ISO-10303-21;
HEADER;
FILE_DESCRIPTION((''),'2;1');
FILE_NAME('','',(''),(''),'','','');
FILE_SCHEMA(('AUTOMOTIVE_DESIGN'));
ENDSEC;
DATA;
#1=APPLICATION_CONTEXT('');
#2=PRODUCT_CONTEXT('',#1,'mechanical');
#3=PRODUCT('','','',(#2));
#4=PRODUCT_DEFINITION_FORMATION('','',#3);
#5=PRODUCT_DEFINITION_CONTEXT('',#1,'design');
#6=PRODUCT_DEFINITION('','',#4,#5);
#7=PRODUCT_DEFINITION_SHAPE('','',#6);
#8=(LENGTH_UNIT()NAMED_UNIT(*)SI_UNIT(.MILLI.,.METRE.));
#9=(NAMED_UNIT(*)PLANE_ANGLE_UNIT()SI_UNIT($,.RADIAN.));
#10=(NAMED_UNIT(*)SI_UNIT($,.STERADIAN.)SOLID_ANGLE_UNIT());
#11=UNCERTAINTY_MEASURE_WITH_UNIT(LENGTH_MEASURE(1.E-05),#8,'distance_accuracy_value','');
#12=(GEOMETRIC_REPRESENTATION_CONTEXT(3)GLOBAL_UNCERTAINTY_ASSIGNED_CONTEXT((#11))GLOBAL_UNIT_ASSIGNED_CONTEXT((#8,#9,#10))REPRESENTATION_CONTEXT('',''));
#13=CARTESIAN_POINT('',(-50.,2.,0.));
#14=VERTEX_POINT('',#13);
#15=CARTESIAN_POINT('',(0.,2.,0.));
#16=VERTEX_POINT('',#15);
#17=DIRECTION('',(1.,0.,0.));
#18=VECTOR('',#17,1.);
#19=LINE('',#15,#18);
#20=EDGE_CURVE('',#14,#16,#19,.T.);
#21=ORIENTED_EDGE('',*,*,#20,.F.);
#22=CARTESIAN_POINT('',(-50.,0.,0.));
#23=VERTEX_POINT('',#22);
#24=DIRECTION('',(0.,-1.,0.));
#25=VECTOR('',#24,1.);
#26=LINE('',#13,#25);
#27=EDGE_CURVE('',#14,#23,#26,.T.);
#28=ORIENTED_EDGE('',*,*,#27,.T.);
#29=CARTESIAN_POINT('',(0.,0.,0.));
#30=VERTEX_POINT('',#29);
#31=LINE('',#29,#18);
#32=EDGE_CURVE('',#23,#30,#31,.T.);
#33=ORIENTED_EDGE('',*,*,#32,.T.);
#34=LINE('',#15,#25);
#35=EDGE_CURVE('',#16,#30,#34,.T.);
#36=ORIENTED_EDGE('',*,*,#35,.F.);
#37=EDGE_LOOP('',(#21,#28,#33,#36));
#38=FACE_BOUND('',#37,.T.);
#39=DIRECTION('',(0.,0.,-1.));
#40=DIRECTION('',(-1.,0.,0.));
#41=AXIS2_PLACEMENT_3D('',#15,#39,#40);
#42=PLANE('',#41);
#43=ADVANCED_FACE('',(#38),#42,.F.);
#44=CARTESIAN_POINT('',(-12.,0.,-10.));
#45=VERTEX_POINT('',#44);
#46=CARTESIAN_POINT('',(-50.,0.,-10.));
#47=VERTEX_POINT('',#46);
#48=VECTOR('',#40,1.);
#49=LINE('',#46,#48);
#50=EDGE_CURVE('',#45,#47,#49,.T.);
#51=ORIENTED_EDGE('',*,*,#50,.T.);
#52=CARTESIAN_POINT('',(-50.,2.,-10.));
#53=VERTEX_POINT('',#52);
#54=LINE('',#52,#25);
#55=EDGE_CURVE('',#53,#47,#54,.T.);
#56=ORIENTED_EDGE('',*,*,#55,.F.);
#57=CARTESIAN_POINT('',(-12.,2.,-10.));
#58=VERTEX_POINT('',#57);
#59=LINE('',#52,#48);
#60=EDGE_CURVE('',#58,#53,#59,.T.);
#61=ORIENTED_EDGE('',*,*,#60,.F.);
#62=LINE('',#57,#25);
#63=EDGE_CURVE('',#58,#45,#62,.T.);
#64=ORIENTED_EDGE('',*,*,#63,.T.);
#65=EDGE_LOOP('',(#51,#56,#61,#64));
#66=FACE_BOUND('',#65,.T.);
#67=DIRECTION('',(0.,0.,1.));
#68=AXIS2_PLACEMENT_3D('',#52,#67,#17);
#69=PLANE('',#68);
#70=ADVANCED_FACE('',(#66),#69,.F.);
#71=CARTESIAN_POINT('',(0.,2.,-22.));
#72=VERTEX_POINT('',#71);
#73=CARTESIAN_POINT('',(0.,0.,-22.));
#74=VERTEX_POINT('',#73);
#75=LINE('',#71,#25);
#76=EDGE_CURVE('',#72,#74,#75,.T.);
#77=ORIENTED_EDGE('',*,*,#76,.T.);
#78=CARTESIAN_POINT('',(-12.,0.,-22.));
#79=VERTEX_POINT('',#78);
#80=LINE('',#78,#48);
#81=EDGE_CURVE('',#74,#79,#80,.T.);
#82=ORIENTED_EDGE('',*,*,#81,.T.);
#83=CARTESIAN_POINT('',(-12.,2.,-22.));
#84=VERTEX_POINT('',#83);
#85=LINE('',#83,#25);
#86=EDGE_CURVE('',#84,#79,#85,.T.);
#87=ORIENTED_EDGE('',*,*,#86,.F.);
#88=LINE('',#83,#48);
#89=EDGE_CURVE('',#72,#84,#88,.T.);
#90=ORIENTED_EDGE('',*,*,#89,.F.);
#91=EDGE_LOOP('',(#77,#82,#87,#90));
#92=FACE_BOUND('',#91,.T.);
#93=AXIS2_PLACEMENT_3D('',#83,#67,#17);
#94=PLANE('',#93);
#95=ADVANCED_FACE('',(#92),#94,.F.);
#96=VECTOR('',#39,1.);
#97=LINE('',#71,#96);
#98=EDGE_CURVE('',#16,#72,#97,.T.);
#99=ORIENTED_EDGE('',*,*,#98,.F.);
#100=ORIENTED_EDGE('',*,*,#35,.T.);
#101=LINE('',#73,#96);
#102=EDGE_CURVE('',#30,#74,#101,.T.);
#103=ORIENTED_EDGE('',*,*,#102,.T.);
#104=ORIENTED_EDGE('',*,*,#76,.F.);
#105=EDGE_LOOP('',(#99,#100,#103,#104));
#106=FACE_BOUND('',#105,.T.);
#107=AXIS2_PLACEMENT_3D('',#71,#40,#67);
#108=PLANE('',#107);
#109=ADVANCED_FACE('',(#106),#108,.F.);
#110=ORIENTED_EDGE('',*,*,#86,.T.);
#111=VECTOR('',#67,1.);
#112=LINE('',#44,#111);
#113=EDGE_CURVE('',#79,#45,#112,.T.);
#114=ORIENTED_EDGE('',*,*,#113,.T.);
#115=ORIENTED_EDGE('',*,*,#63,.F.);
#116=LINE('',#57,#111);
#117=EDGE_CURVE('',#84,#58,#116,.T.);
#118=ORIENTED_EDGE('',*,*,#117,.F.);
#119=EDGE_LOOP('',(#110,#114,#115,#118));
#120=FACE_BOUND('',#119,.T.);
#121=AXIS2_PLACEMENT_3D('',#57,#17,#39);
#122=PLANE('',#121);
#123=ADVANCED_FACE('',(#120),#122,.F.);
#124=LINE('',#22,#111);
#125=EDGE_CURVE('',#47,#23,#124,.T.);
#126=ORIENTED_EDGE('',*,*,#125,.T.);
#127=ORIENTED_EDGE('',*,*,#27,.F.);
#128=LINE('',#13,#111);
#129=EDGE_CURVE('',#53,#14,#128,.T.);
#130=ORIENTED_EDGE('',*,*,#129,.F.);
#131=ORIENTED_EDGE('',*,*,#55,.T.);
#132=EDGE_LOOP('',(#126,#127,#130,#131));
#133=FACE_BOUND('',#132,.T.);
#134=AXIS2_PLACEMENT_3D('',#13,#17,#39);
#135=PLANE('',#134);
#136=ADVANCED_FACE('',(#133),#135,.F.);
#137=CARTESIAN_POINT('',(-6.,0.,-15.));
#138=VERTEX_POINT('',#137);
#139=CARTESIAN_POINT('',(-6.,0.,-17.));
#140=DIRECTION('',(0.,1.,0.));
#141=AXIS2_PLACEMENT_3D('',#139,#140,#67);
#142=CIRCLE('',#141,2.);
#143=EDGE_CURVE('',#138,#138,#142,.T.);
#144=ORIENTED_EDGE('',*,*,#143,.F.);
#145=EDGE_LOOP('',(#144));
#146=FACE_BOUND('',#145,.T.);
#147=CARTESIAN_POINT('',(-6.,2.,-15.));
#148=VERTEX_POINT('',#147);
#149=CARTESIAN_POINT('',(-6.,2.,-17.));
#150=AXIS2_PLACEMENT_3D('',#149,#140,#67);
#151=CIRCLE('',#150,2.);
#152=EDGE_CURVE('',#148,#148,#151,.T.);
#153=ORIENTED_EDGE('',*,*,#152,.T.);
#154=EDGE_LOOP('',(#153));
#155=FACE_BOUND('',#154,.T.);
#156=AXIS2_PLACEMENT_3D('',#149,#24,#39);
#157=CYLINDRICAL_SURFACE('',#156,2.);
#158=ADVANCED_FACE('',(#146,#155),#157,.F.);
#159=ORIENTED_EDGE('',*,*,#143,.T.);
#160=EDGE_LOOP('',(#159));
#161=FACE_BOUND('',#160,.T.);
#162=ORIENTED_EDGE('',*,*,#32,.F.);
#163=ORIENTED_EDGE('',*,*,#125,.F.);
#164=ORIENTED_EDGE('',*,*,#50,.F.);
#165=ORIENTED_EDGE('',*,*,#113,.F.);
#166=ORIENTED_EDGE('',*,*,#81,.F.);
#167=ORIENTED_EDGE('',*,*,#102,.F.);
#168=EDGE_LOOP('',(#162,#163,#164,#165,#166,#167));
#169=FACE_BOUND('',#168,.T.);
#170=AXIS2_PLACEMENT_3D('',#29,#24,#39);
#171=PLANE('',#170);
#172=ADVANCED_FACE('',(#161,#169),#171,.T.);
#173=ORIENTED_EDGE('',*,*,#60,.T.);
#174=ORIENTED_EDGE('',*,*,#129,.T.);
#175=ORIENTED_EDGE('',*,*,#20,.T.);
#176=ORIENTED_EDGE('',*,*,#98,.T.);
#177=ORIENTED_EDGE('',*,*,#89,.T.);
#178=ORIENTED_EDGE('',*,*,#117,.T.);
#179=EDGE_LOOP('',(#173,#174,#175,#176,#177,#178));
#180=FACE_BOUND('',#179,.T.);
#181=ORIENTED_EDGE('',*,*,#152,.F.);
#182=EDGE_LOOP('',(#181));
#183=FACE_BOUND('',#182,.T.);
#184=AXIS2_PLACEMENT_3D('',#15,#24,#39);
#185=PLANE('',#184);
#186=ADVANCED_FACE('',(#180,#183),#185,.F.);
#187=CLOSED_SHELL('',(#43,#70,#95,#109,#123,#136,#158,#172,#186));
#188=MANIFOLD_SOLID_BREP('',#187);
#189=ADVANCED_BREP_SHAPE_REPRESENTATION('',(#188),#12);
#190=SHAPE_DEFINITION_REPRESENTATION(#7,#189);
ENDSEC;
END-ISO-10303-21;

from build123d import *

# Parameters (mm, degrees)
SKETCH1_R           = 2
BOSS_EXTRUDE1_DEPTH = 2


with BuildPart() as part:
    # Sketch1 → Boss-Extrude1 (new body)
    with BuildSketch(Plane(origin=(0, 0, 0), x_dir=(1, 0, 0), z_dir=(0, 1, 0))):
        Polygon((0, 0), (-50, 0), (-50, 10), (-12, 10), (-12, 22), (0, 22), align=None)
        with Locations(Location((-6, 17, 0), (0, 0, 270))):
            Circle(SKETCH1_R, mode=Mode.SUBTRACT)
    extrude(amount=BOSS_EXTRUDE1_DEPTH)


solid = part.part
